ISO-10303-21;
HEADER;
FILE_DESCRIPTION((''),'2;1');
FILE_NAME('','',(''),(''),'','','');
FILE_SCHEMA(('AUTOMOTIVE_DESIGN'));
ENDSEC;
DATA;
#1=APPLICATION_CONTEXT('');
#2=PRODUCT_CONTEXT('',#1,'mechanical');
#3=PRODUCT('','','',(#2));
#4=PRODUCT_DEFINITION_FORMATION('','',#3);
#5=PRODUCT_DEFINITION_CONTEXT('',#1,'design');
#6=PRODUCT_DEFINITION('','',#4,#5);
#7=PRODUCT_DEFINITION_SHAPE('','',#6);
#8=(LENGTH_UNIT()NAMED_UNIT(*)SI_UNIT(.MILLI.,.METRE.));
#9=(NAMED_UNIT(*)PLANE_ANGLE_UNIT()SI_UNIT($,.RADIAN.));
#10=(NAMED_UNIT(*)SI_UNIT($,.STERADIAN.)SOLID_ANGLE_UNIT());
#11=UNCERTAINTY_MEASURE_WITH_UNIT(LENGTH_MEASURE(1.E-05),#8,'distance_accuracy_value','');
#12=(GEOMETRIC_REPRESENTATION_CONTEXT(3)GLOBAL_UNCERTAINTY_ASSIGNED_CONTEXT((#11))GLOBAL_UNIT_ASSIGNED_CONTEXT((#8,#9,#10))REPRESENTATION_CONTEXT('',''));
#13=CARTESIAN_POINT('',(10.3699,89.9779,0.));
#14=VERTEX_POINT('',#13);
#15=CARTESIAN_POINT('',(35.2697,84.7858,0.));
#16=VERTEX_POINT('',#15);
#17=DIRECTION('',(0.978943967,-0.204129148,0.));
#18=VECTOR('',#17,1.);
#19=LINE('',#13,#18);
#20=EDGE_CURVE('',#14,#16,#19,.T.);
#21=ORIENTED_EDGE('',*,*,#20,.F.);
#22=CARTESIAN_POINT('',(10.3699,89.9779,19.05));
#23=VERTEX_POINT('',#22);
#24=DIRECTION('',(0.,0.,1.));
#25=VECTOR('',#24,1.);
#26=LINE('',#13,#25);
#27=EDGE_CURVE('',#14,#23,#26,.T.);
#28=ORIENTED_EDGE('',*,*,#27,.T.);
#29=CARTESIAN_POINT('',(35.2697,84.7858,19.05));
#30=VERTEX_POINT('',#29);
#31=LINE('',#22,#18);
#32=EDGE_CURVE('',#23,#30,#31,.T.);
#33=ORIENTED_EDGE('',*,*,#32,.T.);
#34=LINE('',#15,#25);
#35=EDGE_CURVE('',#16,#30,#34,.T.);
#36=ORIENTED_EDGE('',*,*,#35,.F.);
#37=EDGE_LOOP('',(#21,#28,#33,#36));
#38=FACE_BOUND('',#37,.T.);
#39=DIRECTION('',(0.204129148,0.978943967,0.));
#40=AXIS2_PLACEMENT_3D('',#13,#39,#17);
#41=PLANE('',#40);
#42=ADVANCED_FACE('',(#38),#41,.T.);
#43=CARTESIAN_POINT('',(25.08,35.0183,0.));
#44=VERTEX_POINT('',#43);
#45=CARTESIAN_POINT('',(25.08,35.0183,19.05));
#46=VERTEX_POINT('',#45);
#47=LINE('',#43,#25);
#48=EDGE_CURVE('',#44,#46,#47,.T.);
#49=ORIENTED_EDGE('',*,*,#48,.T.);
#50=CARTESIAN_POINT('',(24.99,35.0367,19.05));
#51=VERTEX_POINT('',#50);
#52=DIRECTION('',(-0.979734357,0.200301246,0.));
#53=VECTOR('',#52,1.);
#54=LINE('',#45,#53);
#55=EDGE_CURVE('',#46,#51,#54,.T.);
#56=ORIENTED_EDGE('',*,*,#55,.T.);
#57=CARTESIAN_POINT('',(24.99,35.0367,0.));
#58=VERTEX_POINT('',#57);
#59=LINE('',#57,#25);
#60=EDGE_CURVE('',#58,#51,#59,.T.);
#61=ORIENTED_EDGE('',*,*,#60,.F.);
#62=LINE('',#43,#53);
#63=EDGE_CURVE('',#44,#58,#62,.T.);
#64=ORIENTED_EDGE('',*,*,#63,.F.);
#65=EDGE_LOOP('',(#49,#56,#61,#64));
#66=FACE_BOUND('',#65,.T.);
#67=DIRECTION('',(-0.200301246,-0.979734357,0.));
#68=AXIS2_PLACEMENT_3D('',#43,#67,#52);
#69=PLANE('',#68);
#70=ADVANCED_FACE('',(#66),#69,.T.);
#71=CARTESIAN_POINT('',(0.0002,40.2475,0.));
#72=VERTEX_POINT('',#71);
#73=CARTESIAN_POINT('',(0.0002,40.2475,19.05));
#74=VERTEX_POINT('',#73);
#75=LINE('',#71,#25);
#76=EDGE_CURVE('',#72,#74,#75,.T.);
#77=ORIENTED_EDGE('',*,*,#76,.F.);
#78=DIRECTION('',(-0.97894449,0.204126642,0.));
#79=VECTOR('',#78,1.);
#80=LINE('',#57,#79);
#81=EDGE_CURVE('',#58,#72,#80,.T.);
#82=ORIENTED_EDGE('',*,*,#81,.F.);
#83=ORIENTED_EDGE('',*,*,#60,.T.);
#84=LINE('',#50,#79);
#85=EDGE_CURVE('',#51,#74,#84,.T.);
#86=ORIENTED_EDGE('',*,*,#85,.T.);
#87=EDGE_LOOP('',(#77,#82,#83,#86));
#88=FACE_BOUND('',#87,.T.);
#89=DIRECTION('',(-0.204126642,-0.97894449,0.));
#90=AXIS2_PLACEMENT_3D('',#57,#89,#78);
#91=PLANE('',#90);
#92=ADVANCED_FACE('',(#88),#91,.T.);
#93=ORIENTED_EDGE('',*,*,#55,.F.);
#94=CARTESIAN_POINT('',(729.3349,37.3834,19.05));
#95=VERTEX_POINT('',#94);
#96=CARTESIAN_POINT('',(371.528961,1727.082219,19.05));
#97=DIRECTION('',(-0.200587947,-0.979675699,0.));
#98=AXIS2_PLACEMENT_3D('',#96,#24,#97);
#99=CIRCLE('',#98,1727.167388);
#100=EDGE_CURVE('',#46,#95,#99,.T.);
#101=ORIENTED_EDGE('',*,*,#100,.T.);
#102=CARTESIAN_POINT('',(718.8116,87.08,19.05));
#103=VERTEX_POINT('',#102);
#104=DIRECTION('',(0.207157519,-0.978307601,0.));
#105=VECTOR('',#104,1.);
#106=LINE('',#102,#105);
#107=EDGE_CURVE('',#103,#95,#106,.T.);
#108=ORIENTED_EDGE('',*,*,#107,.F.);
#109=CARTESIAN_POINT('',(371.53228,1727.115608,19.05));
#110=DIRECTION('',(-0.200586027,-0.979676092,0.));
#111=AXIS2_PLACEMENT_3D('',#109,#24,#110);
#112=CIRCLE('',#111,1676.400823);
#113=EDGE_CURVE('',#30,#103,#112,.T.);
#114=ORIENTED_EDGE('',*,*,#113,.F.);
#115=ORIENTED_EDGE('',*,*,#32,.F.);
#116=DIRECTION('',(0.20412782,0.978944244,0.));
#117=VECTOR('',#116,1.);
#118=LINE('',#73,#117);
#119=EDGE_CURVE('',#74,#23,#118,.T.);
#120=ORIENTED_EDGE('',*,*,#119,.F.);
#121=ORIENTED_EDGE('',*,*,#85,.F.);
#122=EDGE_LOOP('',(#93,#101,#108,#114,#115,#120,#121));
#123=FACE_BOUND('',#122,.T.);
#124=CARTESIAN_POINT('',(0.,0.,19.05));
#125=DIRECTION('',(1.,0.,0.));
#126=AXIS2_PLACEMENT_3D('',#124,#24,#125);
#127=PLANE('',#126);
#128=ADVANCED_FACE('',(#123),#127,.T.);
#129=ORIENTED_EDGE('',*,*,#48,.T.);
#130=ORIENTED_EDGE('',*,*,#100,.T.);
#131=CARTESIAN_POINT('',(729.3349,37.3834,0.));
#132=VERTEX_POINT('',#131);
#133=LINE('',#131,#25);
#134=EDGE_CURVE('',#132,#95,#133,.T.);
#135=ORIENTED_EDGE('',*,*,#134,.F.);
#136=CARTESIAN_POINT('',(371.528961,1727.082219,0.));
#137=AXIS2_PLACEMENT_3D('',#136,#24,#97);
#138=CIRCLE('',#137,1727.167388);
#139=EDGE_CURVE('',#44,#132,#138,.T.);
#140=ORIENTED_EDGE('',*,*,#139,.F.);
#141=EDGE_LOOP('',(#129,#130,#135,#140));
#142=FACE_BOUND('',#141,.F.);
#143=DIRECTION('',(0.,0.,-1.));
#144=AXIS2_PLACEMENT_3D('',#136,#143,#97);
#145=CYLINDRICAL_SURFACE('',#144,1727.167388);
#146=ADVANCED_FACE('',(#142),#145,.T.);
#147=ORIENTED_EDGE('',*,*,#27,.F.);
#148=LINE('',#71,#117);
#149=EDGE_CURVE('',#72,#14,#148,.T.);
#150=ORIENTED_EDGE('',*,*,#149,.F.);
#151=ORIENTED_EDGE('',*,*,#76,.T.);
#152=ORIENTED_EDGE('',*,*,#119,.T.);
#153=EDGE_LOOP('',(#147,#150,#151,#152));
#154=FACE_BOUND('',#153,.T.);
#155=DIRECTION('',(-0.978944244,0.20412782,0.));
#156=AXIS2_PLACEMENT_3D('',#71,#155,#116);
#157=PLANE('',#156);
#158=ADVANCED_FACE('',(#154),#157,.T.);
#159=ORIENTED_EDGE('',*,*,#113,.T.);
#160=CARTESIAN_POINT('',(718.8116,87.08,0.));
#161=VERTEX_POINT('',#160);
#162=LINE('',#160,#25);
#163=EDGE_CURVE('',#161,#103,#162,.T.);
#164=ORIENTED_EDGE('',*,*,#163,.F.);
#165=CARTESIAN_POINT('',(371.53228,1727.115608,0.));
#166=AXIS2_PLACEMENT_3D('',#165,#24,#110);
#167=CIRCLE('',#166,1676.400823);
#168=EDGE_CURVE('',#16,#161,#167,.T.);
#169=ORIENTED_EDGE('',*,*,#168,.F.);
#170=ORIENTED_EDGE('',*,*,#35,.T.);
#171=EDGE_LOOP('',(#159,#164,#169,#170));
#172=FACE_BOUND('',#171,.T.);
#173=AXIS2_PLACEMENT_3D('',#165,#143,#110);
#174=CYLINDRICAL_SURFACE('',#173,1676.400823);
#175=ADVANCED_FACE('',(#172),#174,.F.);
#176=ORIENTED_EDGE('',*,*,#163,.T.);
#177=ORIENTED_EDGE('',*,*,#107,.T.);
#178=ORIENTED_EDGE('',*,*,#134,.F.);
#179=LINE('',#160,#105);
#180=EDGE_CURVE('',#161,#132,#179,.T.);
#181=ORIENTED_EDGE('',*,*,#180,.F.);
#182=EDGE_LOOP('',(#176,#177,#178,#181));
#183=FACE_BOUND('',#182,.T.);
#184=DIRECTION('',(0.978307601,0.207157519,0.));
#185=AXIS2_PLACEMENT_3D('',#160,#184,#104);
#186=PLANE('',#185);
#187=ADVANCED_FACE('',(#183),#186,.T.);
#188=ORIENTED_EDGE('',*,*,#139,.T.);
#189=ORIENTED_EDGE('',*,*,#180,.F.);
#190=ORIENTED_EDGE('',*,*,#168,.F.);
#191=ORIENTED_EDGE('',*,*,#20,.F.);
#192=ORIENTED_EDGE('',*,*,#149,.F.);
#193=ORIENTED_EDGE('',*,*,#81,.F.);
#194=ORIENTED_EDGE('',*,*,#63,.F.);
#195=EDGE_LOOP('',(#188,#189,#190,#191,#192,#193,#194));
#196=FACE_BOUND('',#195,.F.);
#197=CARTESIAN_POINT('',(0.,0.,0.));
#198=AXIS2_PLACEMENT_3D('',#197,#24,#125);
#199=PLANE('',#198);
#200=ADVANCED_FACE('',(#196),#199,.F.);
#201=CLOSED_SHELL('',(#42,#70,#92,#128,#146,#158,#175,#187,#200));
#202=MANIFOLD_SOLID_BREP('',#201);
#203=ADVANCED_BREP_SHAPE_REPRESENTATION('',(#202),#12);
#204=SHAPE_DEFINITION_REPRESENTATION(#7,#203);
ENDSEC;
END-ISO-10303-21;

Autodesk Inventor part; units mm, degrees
ref_plane "YZ Plane" through (0, 0, 0) normal (1, 0, 0) x (0, 1, 0)
ref_plane "XZ Plane" through (0, 0, 0) normal (0, 1, 0) x (-1, 0, 0)
ref_plane "XY Plane" through (0, 0, 0) normal (0, 0, 1) x (1, 0, 0)
sketch "Sketch1" plane through (0, 0, 0) normal (0, 0, 1) x (1, 0, 0)
  line L0 (10.3699, 89.9779) -> (35.2697, 84.7858)
  arc A0 (35.2697, 84.7858) -> (718.8116, 87.08) centre (371.5322, 1727.1148) ccw
  line L1 (718.8116, 87.08) -> (729.3349, 37.3834)
  arc A1 (25.08, 35.0183) -> (729.3349, 37.3834) centre (371.5288, 1727.0806) ccw
  line L2 (25.08, 35.0183) -> (24.99, 35.0367)
  line L3 (24.99, 35.0367) -> (0.0002, 40.2475)
  line L4 (0.0002, 40.2475) -> (10.3699, 89.9779)
  point P0 (0, 0)
extrude "Extrusion1" add sketch "Sketch1" along normal blind 19.05
properties part number "nd-k"
